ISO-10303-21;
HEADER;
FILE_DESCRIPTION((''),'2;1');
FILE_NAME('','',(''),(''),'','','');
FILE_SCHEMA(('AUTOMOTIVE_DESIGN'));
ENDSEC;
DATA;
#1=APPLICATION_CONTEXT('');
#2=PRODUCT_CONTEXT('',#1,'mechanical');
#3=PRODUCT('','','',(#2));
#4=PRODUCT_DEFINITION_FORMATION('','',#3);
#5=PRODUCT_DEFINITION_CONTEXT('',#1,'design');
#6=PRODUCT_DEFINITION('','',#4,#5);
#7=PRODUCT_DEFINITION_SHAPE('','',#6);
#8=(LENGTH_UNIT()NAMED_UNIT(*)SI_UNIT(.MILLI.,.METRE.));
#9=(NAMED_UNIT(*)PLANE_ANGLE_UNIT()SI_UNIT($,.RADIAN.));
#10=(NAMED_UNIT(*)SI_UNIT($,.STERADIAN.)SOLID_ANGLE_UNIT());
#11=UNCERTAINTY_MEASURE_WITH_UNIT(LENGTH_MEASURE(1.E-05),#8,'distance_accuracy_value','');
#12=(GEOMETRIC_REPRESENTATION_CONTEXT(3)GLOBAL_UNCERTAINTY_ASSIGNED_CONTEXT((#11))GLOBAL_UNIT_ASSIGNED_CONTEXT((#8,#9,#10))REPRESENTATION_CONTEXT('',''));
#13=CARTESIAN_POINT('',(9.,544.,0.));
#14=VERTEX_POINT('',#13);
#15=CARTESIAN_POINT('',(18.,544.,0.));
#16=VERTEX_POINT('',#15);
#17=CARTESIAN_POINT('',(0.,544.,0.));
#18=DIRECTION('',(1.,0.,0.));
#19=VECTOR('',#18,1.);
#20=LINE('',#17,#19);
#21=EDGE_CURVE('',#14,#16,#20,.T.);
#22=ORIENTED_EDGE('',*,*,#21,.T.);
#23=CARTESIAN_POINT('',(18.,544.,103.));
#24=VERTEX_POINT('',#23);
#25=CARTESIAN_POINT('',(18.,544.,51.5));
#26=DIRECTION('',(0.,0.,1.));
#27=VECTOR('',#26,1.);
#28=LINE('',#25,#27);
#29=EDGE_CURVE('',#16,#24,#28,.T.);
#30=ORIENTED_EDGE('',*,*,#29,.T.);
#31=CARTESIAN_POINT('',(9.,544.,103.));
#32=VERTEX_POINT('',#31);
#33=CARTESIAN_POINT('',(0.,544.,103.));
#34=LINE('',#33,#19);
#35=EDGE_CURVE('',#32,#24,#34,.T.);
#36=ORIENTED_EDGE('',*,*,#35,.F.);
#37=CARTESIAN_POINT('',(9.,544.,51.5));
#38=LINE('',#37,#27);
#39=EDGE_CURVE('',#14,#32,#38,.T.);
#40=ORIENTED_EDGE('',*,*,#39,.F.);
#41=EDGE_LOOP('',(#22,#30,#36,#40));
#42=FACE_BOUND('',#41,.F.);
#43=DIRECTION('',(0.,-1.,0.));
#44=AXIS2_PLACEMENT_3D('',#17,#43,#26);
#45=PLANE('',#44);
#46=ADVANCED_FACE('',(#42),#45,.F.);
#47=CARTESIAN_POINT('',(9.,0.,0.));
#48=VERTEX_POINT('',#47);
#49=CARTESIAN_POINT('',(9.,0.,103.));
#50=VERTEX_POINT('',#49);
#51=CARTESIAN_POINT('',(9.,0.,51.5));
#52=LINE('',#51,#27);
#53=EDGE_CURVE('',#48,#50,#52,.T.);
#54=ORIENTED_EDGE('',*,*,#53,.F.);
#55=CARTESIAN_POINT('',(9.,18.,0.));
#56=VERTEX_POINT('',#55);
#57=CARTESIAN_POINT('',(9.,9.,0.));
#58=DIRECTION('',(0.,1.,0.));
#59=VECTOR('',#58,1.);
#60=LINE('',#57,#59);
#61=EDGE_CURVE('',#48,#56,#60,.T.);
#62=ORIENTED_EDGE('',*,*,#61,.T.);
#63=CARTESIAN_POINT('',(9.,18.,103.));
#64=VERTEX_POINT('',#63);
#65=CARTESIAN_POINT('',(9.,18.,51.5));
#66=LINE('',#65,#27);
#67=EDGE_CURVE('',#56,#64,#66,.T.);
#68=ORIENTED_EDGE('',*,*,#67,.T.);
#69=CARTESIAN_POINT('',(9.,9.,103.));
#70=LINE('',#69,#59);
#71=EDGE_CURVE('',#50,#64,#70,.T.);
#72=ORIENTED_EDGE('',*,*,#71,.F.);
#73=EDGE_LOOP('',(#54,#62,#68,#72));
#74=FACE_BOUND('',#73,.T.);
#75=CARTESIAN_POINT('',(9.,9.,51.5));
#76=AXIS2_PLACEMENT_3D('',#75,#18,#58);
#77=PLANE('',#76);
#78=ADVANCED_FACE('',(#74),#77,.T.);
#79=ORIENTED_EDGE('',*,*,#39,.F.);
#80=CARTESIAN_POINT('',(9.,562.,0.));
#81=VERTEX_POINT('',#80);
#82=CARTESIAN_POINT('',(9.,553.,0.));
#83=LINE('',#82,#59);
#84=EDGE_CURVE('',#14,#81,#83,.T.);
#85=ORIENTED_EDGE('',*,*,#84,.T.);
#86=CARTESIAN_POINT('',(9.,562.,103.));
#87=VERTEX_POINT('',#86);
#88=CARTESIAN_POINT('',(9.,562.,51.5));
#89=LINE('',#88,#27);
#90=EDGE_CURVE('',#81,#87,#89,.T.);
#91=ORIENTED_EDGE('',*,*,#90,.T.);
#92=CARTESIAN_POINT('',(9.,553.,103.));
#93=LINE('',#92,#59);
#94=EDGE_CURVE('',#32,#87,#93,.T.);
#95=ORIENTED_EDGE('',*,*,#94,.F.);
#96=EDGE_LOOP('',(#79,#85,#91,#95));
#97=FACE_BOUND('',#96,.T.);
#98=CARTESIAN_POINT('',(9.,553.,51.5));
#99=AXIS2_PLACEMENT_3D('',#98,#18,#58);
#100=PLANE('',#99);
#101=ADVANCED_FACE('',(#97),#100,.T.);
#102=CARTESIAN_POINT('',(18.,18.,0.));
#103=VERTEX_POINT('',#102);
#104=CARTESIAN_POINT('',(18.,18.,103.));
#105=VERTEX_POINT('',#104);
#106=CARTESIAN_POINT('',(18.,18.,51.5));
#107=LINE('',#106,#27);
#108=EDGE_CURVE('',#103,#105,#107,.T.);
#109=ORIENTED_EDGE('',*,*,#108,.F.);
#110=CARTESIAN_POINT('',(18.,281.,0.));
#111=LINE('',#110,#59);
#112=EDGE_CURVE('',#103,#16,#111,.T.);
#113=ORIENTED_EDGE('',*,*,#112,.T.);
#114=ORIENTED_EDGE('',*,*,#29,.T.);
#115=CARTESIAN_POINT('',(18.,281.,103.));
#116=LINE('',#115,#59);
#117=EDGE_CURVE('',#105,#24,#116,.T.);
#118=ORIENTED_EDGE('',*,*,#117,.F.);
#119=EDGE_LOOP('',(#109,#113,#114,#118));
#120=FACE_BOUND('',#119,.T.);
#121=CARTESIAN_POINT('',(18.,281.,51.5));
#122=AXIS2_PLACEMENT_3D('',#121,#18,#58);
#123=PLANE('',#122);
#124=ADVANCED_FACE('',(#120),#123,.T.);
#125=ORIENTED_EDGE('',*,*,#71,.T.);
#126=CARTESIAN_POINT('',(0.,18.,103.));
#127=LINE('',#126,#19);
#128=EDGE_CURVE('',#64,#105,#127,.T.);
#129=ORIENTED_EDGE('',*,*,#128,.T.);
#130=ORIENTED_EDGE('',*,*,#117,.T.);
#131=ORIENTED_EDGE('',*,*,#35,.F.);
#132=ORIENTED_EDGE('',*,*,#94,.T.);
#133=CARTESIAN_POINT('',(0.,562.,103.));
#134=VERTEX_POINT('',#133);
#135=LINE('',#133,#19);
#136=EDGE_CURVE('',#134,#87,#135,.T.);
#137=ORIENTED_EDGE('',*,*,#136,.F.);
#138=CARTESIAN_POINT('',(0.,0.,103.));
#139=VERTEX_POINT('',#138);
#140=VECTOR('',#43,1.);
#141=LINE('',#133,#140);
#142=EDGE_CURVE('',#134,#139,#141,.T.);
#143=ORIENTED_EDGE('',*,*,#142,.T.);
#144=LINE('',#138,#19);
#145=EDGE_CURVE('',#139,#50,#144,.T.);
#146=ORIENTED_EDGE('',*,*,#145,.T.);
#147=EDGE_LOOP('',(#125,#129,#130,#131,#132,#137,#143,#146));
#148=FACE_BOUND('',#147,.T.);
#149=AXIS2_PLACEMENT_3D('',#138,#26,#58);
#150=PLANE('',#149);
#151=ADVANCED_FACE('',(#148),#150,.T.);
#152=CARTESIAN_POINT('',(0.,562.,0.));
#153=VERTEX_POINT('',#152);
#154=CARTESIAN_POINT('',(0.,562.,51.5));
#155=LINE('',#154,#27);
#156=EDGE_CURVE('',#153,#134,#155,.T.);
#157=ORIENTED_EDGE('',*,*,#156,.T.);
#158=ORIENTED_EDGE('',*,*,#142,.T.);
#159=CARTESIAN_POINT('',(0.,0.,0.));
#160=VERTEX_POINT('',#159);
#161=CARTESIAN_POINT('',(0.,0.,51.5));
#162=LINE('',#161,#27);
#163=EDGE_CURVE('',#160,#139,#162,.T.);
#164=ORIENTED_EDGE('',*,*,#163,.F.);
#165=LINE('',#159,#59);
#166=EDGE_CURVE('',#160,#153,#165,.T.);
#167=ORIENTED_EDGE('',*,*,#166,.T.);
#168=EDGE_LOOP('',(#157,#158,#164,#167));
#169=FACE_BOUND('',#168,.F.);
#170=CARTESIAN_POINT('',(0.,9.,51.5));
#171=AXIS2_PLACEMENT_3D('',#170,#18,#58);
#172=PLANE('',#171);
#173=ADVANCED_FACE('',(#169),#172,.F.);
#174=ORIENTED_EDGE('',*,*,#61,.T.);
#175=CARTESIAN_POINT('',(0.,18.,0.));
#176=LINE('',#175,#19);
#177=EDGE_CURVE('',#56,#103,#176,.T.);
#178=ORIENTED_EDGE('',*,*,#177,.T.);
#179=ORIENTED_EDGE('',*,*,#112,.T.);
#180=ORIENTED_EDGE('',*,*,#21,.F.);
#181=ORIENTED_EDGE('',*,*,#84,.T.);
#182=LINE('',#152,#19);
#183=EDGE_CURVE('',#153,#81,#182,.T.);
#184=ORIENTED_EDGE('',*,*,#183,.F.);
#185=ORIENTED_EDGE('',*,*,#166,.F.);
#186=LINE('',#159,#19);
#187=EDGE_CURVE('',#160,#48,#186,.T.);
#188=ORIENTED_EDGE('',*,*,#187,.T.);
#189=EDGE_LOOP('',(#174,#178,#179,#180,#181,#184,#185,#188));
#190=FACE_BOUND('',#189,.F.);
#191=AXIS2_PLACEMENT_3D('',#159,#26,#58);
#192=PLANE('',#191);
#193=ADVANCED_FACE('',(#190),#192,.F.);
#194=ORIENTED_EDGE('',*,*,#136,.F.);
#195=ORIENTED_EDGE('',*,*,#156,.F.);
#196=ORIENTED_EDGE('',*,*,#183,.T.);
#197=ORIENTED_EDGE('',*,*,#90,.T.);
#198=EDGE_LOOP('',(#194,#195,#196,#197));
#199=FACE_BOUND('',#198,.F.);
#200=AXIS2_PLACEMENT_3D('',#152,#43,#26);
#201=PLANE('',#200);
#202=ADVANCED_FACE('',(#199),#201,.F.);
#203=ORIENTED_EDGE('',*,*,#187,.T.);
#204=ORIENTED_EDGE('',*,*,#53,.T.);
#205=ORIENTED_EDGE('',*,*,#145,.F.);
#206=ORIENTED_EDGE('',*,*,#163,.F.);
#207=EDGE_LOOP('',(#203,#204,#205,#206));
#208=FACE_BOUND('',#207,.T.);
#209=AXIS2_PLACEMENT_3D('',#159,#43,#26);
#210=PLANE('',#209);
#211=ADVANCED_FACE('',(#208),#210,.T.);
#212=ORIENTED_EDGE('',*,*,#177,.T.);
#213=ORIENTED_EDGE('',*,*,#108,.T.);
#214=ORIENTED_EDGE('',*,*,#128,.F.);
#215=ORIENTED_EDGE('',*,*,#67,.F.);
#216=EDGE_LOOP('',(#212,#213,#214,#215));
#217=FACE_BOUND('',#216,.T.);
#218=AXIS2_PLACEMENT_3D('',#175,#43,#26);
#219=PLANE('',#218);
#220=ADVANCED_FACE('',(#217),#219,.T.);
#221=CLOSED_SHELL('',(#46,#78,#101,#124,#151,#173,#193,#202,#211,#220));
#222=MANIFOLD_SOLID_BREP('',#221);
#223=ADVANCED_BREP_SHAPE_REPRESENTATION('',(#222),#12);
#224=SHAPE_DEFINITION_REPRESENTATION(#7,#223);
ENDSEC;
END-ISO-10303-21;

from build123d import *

# Parameters (mm, degrees)
F0_W     = 526
F0_H     = 103
F1_DEPTH = 18
F0_W_2   = 18
F2_DEPTH = 9


with BuildPart() as f1:
    # F0 (on Right) → F1 (new body)
    with BuildSketch(Plane.YZ):
        with Locations((281, 51.5)):
            Rectangle(F0_W, F0_H)
    extrude(amount=F1_DEPTH)

    # F0 (on Right) → F2 (join)
    with BuildSketch(Plane.YZ):
        with Locations((9, 51.5)):
            Rectangle(F0_W_2, F0_H)
        with Locations((553, 51.5)):
            Rectangle(F0_W_2, F0_H)
    extrude(amount=F2_DEPTH)


solid = f1.part
